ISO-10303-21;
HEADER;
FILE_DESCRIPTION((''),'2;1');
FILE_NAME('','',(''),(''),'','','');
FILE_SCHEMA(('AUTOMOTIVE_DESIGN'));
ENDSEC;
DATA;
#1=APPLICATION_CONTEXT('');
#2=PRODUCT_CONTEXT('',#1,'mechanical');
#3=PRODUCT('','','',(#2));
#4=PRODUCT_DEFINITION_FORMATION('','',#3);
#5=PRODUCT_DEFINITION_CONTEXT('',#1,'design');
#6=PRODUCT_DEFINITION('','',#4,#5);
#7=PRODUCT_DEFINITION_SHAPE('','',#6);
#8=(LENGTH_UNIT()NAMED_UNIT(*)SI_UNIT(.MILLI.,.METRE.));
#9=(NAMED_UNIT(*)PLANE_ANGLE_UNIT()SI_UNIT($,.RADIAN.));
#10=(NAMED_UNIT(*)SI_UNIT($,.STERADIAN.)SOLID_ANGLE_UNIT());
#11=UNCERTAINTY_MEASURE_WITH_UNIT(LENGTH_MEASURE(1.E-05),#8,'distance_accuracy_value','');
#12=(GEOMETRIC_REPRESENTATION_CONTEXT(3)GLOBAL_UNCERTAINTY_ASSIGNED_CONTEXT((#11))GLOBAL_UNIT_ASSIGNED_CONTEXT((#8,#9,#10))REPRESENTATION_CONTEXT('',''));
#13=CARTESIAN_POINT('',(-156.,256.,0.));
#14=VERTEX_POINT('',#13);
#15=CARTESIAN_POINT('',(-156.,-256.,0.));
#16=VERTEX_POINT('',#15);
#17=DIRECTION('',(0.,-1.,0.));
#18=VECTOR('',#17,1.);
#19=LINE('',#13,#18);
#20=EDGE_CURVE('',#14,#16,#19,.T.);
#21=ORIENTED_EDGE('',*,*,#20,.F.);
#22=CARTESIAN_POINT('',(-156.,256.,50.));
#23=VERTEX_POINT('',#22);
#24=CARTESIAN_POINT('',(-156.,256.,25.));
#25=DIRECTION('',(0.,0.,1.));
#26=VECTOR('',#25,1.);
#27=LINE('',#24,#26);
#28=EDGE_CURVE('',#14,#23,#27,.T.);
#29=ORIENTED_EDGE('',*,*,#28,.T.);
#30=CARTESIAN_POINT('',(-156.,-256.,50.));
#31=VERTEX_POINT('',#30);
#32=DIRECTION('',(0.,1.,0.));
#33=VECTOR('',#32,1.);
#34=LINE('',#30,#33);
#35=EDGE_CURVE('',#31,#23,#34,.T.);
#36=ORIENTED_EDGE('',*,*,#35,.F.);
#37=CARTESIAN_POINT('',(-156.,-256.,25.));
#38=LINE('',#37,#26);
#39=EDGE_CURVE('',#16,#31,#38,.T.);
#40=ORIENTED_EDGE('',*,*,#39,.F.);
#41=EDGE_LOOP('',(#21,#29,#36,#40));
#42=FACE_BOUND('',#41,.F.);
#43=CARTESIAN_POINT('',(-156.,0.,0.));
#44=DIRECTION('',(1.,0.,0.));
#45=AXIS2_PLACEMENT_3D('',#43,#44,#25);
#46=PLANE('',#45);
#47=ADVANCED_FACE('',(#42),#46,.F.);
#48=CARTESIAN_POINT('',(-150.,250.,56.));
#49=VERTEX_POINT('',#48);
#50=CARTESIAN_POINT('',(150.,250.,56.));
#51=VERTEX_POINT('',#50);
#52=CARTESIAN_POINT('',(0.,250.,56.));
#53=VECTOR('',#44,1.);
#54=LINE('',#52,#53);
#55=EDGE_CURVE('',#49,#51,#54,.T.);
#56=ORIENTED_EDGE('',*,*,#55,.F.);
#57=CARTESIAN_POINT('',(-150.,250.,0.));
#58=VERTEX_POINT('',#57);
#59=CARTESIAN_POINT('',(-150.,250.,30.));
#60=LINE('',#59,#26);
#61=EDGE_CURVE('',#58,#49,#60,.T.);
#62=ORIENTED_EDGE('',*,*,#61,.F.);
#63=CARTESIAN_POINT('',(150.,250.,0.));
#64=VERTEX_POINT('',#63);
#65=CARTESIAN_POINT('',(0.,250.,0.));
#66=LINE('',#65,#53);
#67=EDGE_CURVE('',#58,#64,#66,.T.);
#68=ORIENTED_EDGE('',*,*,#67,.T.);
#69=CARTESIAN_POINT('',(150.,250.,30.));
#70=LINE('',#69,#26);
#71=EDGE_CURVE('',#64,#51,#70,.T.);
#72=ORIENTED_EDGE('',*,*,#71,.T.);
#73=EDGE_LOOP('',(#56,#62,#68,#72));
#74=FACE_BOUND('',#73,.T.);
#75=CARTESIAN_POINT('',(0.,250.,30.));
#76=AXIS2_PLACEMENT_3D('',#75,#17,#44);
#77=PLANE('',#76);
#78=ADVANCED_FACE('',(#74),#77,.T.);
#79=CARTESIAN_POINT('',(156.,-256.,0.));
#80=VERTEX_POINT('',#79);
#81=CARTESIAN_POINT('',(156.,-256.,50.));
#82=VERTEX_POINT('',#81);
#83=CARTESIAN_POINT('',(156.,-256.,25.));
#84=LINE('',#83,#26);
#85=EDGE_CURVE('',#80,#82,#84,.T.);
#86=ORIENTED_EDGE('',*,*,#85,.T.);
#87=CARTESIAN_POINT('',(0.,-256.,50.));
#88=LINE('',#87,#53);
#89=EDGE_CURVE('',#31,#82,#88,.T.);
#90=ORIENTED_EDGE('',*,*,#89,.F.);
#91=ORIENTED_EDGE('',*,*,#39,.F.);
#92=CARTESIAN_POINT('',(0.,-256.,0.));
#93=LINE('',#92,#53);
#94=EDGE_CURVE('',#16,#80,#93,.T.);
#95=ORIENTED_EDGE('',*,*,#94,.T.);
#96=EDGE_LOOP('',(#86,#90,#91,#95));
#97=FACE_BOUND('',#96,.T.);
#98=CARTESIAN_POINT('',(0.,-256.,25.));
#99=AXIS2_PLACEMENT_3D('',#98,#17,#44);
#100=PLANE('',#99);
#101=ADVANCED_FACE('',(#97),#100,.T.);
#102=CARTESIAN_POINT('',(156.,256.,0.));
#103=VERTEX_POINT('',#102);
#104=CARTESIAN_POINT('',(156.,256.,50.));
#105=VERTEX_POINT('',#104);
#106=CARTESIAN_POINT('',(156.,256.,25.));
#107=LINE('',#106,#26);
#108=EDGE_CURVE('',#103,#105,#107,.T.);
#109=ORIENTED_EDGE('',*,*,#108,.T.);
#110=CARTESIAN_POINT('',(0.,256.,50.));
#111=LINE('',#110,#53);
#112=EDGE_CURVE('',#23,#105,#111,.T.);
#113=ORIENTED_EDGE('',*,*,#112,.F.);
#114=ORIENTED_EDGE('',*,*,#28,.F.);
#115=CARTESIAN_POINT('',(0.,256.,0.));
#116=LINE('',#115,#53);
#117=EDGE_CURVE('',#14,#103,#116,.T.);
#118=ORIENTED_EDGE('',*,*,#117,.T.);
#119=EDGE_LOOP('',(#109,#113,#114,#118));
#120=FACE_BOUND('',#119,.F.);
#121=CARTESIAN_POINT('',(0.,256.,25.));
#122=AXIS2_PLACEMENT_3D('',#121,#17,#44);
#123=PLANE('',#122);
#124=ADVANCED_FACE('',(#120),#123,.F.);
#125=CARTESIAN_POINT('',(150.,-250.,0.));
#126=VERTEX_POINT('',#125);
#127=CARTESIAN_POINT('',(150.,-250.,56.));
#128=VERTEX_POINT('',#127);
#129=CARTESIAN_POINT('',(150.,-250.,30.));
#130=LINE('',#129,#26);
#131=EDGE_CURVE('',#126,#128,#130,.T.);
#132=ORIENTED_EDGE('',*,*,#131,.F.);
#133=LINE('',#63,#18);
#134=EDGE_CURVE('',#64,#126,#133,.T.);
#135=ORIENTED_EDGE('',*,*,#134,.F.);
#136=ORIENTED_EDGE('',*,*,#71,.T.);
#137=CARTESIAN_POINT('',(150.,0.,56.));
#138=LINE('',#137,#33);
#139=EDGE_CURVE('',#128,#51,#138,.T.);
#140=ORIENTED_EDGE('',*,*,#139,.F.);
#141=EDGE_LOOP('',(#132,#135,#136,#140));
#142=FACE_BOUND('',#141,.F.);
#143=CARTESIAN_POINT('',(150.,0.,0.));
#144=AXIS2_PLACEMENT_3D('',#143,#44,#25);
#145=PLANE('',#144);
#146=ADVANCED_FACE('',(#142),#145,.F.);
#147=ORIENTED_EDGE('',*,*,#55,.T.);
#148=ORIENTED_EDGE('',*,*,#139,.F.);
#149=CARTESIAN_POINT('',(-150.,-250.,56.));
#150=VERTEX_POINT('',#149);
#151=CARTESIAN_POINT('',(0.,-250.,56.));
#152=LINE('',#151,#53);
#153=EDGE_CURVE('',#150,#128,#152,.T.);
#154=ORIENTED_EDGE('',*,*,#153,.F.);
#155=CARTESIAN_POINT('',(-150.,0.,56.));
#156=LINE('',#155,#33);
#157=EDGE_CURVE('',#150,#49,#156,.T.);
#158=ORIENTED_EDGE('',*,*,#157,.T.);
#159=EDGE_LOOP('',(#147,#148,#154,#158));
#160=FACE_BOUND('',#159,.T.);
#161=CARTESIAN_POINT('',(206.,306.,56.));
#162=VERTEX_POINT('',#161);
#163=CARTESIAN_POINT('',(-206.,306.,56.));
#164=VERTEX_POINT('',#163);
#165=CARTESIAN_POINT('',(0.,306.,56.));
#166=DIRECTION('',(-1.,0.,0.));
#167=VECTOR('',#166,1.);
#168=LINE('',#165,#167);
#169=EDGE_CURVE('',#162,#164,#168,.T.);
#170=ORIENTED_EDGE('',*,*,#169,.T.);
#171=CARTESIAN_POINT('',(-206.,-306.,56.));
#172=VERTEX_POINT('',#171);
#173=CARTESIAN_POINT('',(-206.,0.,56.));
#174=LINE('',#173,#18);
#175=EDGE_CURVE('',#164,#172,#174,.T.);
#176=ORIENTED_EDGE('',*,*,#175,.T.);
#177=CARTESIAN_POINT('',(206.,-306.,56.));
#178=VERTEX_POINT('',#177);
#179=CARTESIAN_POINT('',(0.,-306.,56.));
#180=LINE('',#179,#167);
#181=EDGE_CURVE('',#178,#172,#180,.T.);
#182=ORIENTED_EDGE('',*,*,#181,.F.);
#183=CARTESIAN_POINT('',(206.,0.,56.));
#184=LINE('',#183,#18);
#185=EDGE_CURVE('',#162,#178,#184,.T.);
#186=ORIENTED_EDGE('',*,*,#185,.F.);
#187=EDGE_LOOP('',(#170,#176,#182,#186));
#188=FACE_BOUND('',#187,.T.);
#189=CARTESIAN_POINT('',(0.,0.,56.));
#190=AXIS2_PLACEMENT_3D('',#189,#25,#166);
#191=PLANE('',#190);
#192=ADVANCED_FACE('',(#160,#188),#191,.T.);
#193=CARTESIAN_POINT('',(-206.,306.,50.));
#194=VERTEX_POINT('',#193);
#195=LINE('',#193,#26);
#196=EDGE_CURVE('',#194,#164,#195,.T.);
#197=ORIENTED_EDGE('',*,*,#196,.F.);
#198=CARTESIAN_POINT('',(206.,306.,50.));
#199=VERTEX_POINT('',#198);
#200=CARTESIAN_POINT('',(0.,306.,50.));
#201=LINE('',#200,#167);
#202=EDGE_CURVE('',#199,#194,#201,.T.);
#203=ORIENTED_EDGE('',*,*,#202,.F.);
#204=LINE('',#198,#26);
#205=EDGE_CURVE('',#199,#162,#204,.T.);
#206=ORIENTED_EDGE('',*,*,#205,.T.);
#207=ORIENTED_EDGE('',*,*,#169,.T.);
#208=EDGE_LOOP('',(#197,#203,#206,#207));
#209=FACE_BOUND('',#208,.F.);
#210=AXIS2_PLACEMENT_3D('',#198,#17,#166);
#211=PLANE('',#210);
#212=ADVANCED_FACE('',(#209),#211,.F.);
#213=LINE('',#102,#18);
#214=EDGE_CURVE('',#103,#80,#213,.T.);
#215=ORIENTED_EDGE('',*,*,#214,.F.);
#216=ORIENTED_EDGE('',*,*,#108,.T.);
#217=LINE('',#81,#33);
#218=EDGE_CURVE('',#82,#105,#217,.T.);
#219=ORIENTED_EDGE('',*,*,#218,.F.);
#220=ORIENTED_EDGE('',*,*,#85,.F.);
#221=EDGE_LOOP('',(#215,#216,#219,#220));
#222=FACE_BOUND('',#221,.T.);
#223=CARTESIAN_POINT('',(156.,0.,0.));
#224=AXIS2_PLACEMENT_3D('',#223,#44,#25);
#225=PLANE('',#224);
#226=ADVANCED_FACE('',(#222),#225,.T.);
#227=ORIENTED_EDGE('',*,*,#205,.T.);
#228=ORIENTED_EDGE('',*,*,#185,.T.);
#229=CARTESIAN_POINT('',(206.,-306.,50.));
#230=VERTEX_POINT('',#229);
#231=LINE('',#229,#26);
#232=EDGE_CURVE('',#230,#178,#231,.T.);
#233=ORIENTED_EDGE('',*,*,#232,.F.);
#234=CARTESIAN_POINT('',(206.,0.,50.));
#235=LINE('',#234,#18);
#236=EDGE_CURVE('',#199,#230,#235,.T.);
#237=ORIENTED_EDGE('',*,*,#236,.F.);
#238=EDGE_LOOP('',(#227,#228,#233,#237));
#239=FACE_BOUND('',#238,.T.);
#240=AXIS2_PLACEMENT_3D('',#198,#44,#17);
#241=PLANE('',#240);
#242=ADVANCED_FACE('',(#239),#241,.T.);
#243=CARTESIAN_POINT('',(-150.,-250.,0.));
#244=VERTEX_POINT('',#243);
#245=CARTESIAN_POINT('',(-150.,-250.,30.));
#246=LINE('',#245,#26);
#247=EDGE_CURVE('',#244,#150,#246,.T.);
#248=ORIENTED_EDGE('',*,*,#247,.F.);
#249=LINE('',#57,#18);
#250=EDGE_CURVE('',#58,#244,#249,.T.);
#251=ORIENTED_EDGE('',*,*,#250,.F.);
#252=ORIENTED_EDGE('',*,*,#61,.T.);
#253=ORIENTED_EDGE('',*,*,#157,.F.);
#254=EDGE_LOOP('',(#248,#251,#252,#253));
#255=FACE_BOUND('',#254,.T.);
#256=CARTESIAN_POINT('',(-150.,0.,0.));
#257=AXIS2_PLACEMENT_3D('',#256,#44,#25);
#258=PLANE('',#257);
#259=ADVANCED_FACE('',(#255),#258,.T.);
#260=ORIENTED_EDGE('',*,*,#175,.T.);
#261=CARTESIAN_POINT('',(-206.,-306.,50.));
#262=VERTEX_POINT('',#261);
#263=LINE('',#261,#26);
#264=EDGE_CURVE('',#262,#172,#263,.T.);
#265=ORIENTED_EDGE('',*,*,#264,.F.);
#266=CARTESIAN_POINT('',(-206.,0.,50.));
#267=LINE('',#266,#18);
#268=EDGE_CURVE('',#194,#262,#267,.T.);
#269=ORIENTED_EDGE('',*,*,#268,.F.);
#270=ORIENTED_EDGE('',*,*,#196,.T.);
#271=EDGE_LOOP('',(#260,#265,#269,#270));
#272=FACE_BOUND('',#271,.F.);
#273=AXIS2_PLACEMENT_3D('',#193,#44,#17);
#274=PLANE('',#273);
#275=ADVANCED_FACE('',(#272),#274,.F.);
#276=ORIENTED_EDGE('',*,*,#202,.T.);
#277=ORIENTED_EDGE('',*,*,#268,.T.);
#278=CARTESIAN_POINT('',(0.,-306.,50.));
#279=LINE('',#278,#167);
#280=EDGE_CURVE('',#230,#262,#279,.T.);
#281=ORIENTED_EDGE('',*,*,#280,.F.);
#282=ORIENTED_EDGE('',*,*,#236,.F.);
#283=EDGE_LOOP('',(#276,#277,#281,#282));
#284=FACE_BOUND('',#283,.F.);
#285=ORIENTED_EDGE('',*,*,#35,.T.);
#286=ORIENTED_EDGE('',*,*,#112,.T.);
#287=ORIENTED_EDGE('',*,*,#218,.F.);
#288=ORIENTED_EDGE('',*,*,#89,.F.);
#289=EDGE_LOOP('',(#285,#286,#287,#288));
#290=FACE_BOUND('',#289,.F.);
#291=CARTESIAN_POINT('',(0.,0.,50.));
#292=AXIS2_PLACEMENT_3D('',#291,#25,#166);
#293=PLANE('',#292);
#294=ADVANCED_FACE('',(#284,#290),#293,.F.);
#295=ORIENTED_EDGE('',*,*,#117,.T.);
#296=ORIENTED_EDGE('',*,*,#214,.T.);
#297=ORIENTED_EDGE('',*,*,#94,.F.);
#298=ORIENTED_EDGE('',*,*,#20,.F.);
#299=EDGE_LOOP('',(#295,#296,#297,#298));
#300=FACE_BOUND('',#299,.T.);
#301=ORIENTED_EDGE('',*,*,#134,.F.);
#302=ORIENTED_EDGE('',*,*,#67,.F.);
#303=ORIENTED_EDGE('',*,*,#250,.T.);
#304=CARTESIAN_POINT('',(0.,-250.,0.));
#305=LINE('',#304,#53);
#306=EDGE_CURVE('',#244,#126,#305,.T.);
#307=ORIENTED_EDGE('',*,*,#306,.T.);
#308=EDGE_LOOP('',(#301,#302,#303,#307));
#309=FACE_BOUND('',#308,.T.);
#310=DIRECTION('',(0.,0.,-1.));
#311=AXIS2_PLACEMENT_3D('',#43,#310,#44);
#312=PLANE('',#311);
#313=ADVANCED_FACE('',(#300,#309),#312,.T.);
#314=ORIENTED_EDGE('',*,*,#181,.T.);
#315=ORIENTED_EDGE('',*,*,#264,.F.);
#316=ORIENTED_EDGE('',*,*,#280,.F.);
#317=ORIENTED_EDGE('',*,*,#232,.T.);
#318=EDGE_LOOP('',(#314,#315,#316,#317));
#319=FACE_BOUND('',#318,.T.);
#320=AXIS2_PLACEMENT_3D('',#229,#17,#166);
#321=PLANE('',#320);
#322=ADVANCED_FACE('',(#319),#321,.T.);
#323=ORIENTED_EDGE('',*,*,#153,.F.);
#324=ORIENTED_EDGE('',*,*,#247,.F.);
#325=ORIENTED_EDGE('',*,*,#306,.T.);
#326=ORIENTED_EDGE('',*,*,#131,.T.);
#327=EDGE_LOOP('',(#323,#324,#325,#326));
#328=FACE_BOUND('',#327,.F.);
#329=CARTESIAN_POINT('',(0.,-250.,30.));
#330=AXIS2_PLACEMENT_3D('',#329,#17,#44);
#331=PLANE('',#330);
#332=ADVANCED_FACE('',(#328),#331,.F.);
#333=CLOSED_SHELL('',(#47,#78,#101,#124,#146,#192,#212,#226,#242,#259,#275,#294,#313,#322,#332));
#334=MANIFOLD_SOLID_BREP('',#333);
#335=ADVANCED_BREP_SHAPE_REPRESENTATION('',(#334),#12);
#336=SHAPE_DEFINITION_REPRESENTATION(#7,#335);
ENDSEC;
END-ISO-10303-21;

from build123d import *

# Parameters (mm, degrees)
SKETCH045_W  = 300
SKETCH045_H  = 60
PAD007_DEPTH = 250
SKETCH046_W  = 312
SKETCH046_H  = 50
PAD008_DEPTH = 256
SKETCH047_W  = 412
SKETCH047_H  = 612
PAD009_DEPTH = 6


with BuildPart() as body008:
    # Sketch045 → Pad007 (new body, symmetric)
    with BuildSketch(Plane.XZ):
        with Locations((0, 30)):
            Rectangle(SKETCH045_W, SKETCH045_H)
    extrude(amount=PAD007_DEPTH, both=True)


with BuildPart() as cut005:
    # Sketch046 → Pad008 (new body, symmetric)
    with BuildSketch(Plane.XZ):
        with Locations((0, 25)):
            Rectangle(SKETCH046_W, SKETCH046_H)
    extrude(amount=PAD008_DEPTH, both=True)

    # Sketch047 (on Face3 of Pad008) → Pad009 (join)
    with BuildSketch(Plane(origin=(0, 0, 50), x_dir=(-1, 0, 0), z_dir=(0, 0, 1))):
        Rectangle(SKETCH047_W, SKETCH047_H)
    extrude(amount=PAD009_DEPTH)

    # Cut005: cut Body008
    add(body008.part, mode=Mode.SUBTRACT)


solid = cut005.part
